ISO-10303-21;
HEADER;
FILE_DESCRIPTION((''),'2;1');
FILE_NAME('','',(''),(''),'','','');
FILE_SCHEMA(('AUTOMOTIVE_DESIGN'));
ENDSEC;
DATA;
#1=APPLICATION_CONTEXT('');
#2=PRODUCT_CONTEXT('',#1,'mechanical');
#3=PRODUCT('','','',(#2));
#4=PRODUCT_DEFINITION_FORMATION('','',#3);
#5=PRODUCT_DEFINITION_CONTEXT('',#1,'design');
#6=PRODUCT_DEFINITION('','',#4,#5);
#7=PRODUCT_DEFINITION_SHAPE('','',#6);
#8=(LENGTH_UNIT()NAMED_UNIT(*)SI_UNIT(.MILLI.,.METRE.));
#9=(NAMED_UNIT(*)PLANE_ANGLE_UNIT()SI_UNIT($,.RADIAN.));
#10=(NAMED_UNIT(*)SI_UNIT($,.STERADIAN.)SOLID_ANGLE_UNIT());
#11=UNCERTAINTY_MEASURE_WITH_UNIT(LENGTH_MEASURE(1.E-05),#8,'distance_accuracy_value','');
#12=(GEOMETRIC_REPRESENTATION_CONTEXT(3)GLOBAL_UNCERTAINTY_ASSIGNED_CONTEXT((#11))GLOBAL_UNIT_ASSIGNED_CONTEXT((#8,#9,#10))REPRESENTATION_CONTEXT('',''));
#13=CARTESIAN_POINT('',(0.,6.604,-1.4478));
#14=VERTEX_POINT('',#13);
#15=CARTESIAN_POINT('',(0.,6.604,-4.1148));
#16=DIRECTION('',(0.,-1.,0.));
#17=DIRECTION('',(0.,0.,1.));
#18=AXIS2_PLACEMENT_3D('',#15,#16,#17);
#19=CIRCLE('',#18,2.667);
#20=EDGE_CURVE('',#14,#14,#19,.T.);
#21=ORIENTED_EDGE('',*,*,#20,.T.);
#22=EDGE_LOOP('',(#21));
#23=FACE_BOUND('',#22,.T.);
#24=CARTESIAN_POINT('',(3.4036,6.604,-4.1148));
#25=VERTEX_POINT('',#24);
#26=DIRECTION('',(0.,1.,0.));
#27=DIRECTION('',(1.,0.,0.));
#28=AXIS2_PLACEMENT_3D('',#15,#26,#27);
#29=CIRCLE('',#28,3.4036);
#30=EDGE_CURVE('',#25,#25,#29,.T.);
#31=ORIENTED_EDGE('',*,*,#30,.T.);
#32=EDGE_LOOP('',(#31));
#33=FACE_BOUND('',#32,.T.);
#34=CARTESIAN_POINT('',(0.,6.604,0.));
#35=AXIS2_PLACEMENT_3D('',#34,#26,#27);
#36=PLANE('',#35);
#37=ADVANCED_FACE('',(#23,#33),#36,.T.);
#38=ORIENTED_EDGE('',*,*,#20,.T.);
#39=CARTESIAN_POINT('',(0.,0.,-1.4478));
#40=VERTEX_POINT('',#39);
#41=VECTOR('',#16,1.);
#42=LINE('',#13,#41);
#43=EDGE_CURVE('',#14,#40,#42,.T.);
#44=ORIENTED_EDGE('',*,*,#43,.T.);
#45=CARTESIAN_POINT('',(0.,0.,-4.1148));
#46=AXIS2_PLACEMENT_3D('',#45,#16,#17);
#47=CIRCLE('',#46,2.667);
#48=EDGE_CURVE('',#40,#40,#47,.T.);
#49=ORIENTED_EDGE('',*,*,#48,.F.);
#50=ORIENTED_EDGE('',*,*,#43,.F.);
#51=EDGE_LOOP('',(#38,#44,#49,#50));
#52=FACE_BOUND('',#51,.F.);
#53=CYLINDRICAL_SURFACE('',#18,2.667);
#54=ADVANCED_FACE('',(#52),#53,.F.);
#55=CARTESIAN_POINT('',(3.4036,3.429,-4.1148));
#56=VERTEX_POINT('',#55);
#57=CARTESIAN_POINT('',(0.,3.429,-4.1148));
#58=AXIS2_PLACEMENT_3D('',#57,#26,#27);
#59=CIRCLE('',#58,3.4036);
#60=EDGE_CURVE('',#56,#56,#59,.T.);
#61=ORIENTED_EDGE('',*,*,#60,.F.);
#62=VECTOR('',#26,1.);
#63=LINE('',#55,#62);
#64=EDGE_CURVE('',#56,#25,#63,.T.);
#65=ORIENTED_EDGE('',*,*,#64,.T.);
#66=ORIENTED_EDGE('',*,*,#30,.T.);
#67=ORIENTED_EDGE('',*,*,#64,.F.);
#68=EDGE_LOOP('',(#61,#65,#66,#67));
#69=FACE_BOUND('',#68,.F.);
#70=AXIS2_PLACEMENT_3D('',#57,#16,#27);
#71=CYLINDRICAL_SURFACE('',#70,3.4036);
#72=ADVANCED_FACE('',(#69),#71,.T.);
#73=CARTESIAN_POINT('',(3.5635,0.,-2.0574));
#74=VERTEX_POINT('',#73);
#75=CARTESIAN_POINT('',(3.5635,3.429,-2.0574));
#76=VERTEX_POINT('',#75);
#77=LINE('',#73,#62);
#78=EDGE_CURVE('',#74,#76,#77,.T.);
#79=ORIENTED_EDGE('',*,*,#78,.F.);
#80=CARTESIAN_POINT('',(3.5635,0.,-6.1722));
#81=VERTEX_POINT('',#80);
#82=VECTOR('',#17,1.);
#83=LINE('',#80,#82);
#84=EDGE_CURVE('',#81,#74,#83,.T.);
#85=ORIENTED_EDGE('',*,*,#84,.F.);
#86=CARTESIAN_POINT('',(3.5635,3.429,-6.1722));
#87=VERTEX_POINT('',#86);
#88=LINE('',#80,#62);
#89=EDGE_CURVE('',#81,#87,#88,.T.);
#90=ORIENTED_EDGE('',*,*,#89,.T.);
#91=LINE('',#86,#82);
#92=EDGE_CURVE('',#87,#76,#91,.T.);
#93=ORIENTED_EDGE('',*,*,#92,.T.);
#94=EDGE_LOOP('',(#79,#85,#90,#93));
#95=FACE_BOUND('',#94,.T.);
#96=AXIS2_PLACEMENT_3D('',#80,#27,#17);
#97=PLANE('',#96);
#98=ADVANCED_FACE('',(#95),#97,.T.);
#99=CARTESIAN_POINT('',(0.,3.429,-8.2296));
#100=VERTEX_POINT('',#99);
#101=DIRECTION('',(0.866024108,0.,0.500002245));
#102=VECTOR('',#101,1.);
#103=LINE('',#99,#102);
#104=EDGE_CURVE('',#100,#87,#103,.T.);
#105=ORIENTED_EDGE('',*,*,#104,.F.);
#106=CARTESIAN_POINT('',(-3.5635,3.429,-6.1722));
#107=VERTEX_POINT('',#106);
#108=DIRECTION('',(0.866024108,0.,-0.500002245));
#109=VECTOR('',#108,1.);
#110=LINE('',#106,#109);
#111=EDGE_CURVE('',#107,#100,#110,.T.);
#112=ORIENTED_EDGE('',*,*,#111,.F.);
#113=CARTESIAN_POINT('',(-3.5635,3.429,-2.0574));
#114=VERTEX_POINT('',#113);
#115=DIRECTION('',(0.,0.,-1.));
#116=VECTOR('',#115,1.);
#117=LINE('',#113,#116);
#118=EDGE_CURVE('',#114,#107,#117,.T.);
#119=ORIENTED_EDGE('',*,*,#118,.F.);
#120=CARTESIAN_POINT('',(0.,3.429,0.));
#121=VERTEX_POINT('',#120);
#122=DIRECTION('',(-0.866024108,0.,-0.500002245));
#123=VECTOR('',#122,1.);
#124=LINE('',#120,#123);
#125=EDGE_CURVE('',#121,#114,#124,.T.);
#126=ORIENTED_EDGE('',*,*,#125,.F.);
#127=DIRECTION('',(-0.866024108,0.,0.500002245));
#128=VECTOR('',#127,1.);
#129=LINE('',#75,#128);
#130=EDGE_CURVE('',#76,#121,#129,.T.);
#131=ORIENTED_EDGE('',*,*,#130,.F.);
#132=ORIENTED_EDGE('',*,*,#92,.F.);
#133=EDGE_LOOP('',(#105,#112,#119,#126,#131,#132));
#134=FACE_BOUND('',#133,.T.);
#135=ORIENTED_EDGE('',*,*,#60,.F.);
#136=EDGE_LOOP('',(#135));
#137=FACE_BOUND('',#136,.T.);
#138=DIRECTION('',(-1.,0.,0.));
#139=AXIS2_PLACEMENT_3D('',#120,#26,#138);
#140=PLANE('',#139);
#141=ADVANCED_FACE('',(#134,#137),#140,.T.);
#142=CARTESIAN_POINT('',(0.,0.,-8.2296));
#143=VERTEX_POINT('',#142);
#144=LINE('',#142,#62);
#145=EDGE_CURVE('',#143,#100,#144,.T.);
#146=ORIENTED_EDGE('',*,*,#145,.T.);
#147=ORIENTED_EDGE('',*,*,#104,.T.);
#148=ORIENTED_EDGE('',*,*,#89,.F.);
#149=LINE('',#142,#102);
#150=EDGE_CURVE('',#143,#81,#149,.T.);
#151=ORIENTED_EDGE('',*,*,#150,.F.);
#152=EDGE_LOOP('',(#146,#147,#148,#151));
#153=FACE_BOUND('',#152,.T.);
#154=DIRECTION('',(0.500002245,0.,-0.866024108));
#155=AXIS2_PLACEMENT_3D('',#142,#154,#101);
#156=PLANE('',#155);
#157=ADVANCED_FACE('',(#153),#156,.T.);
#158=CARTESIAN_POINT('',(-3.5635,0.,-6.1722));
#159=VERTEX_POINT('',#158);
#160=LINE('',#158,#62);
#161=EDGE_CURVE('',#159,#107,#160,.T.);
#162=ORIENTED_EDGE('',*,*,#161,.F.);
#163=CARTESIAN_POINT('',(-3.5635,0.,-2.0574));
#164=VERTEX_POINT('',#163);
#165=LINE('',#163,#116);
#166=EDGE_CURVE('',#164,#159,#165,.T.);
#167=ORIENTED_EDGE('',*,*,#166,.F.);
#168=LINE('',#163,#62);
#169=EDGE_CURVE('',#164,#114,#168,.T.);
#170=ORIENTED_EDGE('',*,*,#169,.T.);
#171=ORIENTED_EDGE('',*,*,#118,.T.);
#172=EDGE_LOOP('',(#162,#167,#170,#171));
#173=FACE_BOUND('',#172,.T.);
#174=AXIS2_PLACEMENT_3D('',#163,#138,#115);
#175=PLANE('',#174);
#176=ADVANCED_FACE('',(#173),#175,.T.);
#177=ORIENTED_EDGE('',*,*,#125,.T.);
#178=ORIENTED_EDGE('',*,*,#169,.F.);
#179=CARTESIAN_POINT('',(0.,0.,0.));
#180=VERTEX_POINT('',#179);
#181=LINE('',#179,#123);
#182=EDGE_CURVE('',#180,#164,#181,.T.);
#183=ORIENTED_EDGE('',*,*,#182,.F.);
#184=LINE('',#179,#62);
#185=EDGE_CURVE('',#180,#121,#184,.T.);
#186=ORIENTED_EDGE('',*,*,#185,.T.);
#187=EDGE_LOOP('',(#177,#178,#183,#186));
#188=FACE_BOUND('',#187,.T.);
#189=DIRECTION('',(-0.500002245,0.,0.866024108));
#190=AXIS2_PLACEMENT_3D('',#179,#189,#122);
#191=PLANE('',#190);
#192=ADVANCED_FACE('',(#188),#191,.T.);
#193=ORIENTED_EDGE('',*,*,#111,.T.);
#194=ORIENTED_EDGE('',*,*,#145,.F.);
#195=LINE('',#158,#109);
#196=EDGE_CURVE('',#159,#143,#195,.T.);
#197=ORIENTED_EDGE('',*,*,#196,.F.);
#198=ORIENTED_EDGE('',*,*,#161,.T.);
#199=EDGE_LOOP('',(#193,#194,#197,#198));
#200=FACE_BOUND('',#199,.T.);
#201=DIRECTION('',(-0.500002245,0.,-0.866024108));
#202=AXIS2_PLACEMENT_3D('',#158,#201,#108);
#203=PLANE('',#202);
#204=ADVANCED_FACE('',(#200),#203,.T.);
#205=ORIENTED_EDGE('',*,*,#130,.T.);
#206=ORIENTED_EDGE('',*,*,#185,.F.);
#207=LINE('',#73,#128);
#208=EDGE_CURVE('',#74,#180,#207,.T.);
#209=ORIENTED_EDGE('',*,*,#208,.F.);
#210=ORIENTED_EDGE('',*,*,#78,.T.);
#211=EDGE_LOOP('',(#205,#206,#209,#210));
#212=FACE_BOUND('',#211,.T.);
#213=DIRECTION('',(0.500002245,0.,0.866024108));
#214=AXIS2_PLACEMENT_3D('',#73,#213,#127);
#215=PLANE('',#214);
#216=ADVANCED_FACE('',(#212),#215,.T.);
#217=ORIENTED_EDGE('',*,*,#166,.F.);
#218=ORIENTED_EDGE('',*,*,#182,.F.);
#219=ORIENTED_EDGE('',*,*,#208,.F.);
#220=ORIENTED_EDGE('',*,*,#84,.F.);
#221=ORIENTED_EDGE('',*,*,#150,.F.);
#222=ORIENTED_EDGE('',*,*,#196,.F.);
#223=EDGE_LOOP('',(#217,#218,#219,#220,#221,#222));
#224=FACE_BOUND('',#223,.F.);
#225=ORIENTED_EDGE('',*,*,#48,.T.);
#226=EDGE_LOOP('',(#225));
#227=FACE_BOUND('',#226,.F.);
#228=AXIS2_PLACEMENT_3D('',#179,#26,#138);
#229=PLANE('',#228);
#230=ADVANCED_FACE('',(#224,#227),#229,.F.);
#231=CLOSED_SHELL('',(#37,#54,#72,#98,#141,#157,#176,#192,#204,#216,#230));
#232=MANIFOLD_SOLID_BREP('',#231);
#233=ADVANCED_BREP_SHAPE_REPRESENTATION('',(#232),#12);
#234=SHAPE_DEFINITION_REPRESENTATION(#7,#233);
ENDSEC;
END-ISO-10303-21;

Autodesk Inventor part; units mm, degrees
ref_plane "YZ Plane" through (0, 0, 0) normal (1, 0, 0) x (0, 1, 0)
ref_plane "XZ Plane" through (0, 0, 0) normal (0, 1, 0) x (-1, 0, 0)
ref_plane "XY Plane" through (0, 0, 0) normal (0, 0, 1) x (1, 0, 0)
sketch "Sketch1" plane through (0, 0, 0) normal (0, 1, 0) x (-1, 0, 0)
  line L0 (0, 0) -> (3.5635, -2.0574)
  line L1 (0, 0) -> (4.1148, 0) construction
  line L2 (3.5635, -2.0574) -> (3.5635, -6.1722)
  line L3 (3.5635, -6.1722) -> (0, -8.2296)
  line L4 (0, -8.2296) -> (-3.5635, -6.1722)
  line L5 (-3.5635, -6.1722) -> (-3.5635, -2.0574)
  line L6 (-3.5635, -2.0574) -> (0, 0)
  dimension "d0" = 4.1148
  dimension "d1" = 30
  dimension "d2" = 4.1148
  dimension "d3" = 4.1148
  dimension "d4" = 120
extrude "Extrusion1" add sketch "Sketch1" along normal blind 3.429
sketch "Sketch2" plane through (0, 3.429, 0) normal (0, 1, 0) x (1, 0, 0)
  line L0 (-3.5635, 2.0574) -> (0, 0) projected
  line L1 (0, 0) -> (3.5635, 2.0574) projected
  line L2 (3.5635, 2.0574) -> (3.5635, 6.1722) projected
  line L3 (3.5635, 6.1722) -> (0, 8.2296) projected
  line L4 (0, 8.2296) -> (-3.5635, 6.1722) projected
  line L5 (-3.5635, 6.1722) -> (-3.5635, 2.0574) projected
  line L6 (0, 0) -> (0, 4.1148) construction
  circle A0 centre (0, 4.1148) radius 3.4036
  dimension "d8" = 6.8072
extrude "Extrusion2" add sketch "Sketch2" along normal blind 3.175 contours A0
hole "Hole1" at (0, 6.604, -4.1148) direction (0, -1, 0) diameter 5.334 end through all
thread "Thread1" size "12-24 UNC" class "2B" standard "ANSI Unified Screw Threads" length 3.429
properties part number "HexCap"
